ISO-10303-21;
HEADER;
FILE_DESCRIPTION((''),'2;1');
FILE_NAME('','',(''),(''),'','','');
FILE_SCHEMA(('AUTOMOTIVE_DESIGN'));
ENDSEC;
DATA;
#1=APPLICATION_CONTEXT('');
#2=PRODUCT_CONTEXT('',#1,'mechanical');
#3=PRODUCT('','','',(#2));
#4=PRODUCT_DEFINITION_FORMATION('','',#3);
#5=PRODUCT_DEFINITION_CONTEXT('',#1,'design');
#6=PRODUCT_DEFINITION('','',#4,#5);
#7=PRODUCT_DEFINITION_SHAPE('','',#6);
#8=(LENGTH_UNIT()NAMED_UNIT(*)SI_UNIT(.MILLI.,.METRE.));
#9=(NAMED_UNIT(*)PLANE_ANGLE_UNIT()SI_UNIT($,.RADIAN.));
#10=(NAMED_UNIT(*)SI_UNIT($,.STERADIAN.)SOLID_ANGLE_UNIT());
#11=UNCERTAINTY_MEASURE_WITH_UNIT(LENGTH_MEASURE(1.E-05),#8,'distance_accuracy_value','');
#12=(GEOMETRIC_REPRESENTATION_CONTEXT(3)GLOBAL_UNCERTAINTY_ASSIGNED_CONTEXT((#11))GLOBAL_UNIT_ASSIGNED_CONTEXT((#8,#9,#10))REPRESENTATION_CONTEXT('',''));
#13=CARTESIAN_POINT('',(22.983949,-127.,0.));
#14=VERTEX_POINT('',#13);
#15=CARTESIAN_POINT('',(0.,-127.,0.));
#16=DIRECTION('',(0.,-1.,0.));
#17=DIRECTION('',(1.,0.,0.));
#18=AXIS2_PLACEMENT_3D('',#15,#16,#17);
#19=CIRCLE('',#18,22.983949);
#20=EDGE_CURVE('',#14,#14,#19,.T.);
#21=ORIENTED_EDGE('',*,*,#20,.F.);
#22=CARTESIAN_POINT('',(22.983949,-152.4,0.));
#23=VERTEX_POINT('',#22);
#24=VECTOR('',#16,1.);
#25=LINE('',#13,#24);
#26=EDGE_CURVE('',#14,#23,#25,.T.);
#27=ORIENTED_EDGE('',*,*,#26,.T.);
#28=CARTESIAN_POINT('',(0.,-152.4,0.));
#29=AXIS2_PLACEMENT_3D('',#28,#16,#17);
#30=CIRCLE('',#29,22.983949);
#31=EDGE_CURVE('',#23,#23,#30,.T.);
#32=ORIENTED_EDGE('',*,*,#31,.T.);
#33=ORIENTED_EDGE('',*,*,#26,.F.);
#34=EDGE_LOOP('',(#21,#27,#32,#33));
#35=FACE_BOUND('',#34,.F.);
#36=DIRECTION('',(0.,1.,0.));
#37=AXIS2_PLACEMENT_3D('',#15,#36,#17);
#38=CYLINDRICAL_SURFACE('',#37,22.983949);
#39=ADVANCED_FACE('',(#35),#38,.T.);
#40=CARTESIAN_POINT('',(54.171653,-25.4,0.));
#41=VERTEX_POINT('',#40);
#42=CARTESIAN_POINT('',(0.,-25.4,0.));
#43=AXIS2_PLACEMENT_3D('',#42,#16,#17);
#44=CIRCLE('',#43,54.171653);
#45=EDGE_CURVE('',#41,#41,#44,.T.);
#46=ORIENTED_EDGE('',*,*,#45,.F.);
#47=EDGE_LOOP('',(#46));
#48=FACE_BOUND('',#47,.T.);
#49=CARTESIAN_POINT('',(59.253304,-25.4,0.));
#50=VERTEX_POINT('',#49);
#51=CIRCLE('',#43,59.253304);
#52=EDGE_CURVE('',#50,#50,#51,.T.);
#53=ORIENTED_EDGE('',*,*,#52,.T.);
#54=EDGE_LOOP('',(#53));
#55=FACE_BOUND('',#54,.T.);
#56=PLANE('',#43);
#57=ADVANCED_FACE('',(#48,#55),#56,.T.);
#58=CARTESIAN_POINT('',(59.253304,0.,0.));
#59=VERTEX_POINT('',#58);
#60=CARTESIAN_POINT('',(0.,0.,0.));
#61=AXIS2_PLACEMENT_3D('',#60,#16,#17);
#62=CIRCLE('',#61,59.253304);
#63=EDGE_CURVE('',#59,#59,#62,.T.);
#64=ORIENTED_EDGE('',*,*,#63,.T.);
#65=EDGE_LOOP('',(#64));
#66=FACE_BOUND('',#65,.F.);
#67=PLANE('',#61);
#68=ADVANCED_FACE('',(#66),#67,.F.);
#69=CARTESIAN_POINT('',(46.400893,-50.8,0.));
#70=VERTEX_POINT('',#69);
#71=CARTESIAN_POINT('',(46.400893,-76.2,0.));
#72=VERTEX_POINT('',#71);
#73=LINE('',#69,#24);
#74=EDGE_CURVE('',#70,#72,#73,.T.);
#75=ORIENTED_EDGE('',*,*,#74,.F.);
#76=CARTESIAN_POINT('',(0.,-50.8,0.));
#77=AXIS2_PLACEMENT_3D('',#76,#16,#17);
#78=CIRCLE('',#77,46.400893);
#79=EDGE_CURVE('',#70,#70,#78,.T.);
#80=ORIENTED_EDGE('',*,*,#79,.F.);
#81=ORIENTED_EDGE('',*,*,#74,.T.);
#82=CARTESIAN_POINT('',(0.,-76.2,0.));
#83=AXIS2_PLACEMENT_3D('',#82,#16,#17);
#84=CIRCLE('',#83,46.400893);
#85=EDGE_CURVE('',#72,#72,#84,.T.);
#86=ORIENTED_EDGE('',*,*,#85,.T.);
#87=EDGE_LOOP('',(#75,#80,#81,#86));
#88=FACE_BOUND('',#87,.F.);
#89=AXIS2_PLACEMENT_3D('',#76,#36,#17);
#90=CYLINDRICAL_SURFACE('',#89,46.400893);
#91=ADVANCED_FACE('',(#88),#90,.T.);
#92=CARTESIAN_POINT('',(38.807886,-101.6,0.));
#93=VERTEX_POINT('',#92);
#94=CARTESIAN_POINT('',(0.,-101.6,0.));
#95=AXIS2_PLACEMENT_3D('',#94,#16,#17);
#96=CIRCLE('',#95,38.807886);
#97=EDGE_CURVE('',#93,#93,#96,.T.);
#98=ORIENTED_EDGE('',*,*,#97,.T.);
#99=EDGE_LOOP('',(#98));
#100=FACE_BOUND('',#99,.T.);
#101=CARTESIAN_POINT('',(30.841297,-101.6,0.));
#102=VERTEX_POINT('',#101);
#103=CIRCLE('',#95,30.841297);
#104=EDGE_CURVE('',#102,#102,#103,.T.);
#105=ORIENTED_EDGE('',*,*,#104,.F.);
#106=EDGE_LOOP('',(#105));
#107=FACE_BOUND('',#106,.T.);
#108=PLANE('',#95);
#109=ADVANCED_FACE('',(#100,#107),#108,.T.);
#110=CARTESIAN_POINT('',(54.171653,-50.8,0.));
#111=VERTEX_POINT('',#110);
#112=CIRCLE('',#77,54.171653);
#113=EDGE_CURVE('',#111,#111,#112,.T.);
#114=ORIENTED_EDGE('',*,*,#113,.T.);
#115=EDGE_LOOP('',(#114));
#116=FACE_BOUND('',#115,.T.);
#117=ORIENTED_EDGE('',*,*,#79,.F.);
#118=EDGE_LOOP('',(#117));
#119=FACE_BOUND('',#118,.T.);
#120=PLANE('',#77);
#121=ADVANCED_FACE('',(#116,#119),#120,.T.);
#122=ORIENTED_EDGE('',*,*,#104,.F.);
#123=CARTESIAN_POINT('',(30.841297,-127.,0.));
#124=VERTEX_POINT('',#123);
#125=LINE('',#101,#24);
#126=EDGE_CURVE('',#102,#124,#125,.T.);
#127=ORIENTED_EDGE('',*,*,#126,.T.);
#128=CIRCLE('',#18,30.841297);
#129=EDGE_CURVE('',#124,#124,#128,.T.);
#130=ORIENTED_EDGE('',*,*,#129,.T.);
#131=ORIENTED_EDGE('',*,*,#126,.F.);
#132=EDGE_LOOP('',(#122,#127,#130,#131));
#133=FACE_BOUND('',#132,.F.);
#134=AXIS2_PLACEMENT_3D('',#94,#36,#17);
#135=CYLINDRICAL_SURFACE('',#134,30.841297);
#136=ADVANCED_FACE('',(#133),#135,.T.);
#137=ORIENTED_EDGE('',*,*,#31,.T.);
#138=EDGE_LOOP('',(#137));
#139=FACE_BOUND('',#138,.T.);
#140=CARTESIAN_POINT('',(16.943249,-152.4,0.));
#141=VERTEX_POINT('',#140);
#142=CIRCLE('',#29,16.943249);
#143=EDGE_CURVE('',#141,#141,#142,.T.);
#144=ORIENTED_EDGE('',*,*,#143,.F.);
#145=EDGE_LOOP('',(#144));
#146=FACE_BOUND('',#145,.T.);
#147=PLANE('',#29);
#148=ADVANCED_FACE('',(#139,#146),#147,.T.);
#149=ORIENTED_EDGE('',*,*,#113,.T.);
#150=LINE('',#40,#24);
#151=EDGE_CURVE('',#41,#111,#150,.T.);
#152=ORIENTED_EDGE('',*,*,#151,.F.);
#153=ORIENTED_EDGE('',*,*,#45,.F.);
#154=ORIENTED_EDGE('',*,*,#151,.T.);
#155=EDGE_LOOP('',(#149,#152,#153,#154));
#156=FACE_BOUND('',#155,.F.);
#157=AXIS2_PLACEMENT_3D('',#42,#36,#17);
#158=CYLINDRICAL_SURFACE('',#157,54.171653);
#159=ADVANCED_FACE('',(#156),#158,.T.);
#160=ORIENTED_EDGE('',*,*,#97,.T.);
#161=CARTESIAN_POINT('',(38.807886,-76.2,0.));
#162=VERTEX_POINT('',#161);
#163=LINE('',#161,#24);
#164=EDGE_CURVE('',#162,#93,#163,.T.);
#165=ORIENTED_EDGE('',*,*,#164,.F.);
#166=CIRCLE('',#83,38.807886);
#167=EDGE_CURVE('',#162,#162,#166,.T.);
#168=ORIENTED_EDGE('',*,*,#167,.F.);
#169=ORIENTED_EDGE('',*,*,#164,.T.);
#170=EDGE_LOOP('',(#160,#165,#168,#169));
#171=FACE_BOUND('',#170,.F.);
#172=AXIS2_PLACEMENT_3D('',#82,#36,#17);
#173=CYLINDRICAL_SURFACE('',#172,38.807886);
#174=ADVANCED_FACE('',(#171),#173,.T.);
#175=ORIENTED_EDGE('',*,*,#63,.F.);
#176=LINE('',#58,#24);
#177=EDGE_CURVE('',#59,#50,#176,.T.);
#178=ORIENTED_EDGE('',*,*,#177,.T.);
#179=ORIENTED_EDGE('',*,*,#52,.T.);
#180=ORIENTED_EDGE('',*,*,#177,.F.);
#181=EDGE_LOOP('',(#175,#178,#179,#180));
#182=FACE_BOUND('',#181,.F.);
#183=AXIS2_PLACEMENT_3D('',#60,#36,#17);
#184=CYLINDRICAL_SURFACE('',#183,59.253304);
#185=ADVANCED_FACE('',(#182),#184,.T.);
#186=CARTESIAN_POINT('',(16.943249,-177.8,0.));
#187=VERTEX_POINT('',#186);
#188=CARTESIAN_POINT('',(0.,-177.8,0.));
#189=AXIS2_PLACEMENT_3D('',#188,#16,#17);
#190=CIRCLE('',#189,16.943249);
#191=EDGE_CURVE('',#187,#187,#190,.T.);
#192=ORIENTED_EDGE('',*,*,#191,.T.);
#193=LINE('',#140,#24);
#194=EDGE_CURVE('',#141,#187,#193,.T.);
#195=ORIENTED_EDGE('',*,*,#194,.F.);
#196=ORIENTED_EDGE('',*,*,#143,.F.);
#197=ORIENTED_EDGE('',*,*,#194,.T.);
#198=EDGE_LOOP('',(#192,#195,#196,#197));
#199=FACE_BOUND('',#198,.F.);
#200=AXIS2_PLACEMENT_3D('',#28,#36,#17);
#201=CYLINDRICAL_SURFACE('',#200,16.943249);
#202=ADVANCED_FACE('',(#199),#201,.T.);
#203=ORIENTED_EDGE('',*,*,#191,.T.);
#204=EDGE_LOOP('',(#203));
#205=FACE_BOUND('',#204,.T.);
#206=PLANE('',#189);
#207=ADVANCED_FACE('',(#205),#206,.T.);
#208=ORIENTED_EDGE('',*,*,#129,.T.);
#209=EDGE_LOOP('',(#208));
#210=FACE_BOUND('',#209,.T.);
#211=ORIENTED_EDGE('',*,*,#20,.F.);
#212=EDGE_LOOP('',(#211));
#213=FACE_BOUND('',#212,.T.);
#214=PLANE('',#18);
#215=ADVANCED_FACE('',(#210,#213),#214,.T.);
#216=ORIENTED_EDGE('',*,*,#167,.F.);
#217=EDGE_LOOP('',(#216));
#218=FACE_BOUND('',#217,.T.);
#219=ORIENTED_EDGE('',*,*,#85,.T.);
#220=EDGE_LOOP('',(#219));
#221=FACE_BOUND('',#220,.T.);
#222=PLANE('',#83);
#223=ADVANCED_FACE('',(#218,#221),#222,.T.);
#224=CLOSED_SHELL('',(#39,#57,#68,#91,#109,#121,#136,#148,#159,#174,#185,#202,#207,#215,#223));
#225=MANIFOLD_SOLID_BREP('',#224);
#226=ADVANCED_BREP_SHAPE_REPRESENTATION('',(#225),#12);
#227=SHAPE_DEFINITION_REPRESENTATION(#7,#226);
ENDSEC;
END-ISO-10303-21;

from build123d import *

# Parameters (mm, degrees)
F0_R      = 59.253304
F1_DEPTH  = 25.4
F2_R      = 54.171653
F3_DEPTH  = 25.4
F4_R      = 46.400893
F5_DEPTH  = 25.4
F6_R      = 38.807886
F7_DEPTH  = 25.4
F8_R      = 30.841297
F9_DEPTH  = 25.4
F10_R     = 22.983949
F11_DEPTH = 25.4
F12_R     = 16.943249
F13_DEPTH = 25.4


with BuildPart() as f1:
    # F0 (on Front) → F1 (new body)
    with BuildSketch(Plane.XZ):
        Circle(F0_R)
    extrude(amount=F1_DEPTH)

    # F2 (on face) → F3 (join)
    with BuildSketch(Plane.XZ.offset(25.4)):
        Circle(F2_R)
    extrude(amount=F3_DEPTH)

    # F4 (on face) → F5 (join)
    with BuildSketch(Plane.XZ.offset(50.8)):
        Circle(F4_R)
    extrude(amount=F5_DEPTH)

    # F6 (on face) → F7 (join)
    with BuildSketch(Plane.XZ.offset(76.2)):
        Circle(F6_R)
    extrude(amount=F7_DEPTH)

    # F8 (on face) → F9 (join)
    with BuildSketch(Plane.XZ.offset(101.6)):
        Circle(F8_R)
    extrude(amount=F9_DEPTH)

    # F10 (on face) → F11 (join)
    with BuildSketch(Plane.XZ.offset(127)):
        Circle(F10_R)
    extrude(amount=F11_DEPTH)

    # F12 (on face) → F13 (join)
    with BuildSketch(Plane.XZ.offset(152.4)):
        Circle(F12_R)
    extrude(amount=F13_DEPTH)


solid = f1.part
